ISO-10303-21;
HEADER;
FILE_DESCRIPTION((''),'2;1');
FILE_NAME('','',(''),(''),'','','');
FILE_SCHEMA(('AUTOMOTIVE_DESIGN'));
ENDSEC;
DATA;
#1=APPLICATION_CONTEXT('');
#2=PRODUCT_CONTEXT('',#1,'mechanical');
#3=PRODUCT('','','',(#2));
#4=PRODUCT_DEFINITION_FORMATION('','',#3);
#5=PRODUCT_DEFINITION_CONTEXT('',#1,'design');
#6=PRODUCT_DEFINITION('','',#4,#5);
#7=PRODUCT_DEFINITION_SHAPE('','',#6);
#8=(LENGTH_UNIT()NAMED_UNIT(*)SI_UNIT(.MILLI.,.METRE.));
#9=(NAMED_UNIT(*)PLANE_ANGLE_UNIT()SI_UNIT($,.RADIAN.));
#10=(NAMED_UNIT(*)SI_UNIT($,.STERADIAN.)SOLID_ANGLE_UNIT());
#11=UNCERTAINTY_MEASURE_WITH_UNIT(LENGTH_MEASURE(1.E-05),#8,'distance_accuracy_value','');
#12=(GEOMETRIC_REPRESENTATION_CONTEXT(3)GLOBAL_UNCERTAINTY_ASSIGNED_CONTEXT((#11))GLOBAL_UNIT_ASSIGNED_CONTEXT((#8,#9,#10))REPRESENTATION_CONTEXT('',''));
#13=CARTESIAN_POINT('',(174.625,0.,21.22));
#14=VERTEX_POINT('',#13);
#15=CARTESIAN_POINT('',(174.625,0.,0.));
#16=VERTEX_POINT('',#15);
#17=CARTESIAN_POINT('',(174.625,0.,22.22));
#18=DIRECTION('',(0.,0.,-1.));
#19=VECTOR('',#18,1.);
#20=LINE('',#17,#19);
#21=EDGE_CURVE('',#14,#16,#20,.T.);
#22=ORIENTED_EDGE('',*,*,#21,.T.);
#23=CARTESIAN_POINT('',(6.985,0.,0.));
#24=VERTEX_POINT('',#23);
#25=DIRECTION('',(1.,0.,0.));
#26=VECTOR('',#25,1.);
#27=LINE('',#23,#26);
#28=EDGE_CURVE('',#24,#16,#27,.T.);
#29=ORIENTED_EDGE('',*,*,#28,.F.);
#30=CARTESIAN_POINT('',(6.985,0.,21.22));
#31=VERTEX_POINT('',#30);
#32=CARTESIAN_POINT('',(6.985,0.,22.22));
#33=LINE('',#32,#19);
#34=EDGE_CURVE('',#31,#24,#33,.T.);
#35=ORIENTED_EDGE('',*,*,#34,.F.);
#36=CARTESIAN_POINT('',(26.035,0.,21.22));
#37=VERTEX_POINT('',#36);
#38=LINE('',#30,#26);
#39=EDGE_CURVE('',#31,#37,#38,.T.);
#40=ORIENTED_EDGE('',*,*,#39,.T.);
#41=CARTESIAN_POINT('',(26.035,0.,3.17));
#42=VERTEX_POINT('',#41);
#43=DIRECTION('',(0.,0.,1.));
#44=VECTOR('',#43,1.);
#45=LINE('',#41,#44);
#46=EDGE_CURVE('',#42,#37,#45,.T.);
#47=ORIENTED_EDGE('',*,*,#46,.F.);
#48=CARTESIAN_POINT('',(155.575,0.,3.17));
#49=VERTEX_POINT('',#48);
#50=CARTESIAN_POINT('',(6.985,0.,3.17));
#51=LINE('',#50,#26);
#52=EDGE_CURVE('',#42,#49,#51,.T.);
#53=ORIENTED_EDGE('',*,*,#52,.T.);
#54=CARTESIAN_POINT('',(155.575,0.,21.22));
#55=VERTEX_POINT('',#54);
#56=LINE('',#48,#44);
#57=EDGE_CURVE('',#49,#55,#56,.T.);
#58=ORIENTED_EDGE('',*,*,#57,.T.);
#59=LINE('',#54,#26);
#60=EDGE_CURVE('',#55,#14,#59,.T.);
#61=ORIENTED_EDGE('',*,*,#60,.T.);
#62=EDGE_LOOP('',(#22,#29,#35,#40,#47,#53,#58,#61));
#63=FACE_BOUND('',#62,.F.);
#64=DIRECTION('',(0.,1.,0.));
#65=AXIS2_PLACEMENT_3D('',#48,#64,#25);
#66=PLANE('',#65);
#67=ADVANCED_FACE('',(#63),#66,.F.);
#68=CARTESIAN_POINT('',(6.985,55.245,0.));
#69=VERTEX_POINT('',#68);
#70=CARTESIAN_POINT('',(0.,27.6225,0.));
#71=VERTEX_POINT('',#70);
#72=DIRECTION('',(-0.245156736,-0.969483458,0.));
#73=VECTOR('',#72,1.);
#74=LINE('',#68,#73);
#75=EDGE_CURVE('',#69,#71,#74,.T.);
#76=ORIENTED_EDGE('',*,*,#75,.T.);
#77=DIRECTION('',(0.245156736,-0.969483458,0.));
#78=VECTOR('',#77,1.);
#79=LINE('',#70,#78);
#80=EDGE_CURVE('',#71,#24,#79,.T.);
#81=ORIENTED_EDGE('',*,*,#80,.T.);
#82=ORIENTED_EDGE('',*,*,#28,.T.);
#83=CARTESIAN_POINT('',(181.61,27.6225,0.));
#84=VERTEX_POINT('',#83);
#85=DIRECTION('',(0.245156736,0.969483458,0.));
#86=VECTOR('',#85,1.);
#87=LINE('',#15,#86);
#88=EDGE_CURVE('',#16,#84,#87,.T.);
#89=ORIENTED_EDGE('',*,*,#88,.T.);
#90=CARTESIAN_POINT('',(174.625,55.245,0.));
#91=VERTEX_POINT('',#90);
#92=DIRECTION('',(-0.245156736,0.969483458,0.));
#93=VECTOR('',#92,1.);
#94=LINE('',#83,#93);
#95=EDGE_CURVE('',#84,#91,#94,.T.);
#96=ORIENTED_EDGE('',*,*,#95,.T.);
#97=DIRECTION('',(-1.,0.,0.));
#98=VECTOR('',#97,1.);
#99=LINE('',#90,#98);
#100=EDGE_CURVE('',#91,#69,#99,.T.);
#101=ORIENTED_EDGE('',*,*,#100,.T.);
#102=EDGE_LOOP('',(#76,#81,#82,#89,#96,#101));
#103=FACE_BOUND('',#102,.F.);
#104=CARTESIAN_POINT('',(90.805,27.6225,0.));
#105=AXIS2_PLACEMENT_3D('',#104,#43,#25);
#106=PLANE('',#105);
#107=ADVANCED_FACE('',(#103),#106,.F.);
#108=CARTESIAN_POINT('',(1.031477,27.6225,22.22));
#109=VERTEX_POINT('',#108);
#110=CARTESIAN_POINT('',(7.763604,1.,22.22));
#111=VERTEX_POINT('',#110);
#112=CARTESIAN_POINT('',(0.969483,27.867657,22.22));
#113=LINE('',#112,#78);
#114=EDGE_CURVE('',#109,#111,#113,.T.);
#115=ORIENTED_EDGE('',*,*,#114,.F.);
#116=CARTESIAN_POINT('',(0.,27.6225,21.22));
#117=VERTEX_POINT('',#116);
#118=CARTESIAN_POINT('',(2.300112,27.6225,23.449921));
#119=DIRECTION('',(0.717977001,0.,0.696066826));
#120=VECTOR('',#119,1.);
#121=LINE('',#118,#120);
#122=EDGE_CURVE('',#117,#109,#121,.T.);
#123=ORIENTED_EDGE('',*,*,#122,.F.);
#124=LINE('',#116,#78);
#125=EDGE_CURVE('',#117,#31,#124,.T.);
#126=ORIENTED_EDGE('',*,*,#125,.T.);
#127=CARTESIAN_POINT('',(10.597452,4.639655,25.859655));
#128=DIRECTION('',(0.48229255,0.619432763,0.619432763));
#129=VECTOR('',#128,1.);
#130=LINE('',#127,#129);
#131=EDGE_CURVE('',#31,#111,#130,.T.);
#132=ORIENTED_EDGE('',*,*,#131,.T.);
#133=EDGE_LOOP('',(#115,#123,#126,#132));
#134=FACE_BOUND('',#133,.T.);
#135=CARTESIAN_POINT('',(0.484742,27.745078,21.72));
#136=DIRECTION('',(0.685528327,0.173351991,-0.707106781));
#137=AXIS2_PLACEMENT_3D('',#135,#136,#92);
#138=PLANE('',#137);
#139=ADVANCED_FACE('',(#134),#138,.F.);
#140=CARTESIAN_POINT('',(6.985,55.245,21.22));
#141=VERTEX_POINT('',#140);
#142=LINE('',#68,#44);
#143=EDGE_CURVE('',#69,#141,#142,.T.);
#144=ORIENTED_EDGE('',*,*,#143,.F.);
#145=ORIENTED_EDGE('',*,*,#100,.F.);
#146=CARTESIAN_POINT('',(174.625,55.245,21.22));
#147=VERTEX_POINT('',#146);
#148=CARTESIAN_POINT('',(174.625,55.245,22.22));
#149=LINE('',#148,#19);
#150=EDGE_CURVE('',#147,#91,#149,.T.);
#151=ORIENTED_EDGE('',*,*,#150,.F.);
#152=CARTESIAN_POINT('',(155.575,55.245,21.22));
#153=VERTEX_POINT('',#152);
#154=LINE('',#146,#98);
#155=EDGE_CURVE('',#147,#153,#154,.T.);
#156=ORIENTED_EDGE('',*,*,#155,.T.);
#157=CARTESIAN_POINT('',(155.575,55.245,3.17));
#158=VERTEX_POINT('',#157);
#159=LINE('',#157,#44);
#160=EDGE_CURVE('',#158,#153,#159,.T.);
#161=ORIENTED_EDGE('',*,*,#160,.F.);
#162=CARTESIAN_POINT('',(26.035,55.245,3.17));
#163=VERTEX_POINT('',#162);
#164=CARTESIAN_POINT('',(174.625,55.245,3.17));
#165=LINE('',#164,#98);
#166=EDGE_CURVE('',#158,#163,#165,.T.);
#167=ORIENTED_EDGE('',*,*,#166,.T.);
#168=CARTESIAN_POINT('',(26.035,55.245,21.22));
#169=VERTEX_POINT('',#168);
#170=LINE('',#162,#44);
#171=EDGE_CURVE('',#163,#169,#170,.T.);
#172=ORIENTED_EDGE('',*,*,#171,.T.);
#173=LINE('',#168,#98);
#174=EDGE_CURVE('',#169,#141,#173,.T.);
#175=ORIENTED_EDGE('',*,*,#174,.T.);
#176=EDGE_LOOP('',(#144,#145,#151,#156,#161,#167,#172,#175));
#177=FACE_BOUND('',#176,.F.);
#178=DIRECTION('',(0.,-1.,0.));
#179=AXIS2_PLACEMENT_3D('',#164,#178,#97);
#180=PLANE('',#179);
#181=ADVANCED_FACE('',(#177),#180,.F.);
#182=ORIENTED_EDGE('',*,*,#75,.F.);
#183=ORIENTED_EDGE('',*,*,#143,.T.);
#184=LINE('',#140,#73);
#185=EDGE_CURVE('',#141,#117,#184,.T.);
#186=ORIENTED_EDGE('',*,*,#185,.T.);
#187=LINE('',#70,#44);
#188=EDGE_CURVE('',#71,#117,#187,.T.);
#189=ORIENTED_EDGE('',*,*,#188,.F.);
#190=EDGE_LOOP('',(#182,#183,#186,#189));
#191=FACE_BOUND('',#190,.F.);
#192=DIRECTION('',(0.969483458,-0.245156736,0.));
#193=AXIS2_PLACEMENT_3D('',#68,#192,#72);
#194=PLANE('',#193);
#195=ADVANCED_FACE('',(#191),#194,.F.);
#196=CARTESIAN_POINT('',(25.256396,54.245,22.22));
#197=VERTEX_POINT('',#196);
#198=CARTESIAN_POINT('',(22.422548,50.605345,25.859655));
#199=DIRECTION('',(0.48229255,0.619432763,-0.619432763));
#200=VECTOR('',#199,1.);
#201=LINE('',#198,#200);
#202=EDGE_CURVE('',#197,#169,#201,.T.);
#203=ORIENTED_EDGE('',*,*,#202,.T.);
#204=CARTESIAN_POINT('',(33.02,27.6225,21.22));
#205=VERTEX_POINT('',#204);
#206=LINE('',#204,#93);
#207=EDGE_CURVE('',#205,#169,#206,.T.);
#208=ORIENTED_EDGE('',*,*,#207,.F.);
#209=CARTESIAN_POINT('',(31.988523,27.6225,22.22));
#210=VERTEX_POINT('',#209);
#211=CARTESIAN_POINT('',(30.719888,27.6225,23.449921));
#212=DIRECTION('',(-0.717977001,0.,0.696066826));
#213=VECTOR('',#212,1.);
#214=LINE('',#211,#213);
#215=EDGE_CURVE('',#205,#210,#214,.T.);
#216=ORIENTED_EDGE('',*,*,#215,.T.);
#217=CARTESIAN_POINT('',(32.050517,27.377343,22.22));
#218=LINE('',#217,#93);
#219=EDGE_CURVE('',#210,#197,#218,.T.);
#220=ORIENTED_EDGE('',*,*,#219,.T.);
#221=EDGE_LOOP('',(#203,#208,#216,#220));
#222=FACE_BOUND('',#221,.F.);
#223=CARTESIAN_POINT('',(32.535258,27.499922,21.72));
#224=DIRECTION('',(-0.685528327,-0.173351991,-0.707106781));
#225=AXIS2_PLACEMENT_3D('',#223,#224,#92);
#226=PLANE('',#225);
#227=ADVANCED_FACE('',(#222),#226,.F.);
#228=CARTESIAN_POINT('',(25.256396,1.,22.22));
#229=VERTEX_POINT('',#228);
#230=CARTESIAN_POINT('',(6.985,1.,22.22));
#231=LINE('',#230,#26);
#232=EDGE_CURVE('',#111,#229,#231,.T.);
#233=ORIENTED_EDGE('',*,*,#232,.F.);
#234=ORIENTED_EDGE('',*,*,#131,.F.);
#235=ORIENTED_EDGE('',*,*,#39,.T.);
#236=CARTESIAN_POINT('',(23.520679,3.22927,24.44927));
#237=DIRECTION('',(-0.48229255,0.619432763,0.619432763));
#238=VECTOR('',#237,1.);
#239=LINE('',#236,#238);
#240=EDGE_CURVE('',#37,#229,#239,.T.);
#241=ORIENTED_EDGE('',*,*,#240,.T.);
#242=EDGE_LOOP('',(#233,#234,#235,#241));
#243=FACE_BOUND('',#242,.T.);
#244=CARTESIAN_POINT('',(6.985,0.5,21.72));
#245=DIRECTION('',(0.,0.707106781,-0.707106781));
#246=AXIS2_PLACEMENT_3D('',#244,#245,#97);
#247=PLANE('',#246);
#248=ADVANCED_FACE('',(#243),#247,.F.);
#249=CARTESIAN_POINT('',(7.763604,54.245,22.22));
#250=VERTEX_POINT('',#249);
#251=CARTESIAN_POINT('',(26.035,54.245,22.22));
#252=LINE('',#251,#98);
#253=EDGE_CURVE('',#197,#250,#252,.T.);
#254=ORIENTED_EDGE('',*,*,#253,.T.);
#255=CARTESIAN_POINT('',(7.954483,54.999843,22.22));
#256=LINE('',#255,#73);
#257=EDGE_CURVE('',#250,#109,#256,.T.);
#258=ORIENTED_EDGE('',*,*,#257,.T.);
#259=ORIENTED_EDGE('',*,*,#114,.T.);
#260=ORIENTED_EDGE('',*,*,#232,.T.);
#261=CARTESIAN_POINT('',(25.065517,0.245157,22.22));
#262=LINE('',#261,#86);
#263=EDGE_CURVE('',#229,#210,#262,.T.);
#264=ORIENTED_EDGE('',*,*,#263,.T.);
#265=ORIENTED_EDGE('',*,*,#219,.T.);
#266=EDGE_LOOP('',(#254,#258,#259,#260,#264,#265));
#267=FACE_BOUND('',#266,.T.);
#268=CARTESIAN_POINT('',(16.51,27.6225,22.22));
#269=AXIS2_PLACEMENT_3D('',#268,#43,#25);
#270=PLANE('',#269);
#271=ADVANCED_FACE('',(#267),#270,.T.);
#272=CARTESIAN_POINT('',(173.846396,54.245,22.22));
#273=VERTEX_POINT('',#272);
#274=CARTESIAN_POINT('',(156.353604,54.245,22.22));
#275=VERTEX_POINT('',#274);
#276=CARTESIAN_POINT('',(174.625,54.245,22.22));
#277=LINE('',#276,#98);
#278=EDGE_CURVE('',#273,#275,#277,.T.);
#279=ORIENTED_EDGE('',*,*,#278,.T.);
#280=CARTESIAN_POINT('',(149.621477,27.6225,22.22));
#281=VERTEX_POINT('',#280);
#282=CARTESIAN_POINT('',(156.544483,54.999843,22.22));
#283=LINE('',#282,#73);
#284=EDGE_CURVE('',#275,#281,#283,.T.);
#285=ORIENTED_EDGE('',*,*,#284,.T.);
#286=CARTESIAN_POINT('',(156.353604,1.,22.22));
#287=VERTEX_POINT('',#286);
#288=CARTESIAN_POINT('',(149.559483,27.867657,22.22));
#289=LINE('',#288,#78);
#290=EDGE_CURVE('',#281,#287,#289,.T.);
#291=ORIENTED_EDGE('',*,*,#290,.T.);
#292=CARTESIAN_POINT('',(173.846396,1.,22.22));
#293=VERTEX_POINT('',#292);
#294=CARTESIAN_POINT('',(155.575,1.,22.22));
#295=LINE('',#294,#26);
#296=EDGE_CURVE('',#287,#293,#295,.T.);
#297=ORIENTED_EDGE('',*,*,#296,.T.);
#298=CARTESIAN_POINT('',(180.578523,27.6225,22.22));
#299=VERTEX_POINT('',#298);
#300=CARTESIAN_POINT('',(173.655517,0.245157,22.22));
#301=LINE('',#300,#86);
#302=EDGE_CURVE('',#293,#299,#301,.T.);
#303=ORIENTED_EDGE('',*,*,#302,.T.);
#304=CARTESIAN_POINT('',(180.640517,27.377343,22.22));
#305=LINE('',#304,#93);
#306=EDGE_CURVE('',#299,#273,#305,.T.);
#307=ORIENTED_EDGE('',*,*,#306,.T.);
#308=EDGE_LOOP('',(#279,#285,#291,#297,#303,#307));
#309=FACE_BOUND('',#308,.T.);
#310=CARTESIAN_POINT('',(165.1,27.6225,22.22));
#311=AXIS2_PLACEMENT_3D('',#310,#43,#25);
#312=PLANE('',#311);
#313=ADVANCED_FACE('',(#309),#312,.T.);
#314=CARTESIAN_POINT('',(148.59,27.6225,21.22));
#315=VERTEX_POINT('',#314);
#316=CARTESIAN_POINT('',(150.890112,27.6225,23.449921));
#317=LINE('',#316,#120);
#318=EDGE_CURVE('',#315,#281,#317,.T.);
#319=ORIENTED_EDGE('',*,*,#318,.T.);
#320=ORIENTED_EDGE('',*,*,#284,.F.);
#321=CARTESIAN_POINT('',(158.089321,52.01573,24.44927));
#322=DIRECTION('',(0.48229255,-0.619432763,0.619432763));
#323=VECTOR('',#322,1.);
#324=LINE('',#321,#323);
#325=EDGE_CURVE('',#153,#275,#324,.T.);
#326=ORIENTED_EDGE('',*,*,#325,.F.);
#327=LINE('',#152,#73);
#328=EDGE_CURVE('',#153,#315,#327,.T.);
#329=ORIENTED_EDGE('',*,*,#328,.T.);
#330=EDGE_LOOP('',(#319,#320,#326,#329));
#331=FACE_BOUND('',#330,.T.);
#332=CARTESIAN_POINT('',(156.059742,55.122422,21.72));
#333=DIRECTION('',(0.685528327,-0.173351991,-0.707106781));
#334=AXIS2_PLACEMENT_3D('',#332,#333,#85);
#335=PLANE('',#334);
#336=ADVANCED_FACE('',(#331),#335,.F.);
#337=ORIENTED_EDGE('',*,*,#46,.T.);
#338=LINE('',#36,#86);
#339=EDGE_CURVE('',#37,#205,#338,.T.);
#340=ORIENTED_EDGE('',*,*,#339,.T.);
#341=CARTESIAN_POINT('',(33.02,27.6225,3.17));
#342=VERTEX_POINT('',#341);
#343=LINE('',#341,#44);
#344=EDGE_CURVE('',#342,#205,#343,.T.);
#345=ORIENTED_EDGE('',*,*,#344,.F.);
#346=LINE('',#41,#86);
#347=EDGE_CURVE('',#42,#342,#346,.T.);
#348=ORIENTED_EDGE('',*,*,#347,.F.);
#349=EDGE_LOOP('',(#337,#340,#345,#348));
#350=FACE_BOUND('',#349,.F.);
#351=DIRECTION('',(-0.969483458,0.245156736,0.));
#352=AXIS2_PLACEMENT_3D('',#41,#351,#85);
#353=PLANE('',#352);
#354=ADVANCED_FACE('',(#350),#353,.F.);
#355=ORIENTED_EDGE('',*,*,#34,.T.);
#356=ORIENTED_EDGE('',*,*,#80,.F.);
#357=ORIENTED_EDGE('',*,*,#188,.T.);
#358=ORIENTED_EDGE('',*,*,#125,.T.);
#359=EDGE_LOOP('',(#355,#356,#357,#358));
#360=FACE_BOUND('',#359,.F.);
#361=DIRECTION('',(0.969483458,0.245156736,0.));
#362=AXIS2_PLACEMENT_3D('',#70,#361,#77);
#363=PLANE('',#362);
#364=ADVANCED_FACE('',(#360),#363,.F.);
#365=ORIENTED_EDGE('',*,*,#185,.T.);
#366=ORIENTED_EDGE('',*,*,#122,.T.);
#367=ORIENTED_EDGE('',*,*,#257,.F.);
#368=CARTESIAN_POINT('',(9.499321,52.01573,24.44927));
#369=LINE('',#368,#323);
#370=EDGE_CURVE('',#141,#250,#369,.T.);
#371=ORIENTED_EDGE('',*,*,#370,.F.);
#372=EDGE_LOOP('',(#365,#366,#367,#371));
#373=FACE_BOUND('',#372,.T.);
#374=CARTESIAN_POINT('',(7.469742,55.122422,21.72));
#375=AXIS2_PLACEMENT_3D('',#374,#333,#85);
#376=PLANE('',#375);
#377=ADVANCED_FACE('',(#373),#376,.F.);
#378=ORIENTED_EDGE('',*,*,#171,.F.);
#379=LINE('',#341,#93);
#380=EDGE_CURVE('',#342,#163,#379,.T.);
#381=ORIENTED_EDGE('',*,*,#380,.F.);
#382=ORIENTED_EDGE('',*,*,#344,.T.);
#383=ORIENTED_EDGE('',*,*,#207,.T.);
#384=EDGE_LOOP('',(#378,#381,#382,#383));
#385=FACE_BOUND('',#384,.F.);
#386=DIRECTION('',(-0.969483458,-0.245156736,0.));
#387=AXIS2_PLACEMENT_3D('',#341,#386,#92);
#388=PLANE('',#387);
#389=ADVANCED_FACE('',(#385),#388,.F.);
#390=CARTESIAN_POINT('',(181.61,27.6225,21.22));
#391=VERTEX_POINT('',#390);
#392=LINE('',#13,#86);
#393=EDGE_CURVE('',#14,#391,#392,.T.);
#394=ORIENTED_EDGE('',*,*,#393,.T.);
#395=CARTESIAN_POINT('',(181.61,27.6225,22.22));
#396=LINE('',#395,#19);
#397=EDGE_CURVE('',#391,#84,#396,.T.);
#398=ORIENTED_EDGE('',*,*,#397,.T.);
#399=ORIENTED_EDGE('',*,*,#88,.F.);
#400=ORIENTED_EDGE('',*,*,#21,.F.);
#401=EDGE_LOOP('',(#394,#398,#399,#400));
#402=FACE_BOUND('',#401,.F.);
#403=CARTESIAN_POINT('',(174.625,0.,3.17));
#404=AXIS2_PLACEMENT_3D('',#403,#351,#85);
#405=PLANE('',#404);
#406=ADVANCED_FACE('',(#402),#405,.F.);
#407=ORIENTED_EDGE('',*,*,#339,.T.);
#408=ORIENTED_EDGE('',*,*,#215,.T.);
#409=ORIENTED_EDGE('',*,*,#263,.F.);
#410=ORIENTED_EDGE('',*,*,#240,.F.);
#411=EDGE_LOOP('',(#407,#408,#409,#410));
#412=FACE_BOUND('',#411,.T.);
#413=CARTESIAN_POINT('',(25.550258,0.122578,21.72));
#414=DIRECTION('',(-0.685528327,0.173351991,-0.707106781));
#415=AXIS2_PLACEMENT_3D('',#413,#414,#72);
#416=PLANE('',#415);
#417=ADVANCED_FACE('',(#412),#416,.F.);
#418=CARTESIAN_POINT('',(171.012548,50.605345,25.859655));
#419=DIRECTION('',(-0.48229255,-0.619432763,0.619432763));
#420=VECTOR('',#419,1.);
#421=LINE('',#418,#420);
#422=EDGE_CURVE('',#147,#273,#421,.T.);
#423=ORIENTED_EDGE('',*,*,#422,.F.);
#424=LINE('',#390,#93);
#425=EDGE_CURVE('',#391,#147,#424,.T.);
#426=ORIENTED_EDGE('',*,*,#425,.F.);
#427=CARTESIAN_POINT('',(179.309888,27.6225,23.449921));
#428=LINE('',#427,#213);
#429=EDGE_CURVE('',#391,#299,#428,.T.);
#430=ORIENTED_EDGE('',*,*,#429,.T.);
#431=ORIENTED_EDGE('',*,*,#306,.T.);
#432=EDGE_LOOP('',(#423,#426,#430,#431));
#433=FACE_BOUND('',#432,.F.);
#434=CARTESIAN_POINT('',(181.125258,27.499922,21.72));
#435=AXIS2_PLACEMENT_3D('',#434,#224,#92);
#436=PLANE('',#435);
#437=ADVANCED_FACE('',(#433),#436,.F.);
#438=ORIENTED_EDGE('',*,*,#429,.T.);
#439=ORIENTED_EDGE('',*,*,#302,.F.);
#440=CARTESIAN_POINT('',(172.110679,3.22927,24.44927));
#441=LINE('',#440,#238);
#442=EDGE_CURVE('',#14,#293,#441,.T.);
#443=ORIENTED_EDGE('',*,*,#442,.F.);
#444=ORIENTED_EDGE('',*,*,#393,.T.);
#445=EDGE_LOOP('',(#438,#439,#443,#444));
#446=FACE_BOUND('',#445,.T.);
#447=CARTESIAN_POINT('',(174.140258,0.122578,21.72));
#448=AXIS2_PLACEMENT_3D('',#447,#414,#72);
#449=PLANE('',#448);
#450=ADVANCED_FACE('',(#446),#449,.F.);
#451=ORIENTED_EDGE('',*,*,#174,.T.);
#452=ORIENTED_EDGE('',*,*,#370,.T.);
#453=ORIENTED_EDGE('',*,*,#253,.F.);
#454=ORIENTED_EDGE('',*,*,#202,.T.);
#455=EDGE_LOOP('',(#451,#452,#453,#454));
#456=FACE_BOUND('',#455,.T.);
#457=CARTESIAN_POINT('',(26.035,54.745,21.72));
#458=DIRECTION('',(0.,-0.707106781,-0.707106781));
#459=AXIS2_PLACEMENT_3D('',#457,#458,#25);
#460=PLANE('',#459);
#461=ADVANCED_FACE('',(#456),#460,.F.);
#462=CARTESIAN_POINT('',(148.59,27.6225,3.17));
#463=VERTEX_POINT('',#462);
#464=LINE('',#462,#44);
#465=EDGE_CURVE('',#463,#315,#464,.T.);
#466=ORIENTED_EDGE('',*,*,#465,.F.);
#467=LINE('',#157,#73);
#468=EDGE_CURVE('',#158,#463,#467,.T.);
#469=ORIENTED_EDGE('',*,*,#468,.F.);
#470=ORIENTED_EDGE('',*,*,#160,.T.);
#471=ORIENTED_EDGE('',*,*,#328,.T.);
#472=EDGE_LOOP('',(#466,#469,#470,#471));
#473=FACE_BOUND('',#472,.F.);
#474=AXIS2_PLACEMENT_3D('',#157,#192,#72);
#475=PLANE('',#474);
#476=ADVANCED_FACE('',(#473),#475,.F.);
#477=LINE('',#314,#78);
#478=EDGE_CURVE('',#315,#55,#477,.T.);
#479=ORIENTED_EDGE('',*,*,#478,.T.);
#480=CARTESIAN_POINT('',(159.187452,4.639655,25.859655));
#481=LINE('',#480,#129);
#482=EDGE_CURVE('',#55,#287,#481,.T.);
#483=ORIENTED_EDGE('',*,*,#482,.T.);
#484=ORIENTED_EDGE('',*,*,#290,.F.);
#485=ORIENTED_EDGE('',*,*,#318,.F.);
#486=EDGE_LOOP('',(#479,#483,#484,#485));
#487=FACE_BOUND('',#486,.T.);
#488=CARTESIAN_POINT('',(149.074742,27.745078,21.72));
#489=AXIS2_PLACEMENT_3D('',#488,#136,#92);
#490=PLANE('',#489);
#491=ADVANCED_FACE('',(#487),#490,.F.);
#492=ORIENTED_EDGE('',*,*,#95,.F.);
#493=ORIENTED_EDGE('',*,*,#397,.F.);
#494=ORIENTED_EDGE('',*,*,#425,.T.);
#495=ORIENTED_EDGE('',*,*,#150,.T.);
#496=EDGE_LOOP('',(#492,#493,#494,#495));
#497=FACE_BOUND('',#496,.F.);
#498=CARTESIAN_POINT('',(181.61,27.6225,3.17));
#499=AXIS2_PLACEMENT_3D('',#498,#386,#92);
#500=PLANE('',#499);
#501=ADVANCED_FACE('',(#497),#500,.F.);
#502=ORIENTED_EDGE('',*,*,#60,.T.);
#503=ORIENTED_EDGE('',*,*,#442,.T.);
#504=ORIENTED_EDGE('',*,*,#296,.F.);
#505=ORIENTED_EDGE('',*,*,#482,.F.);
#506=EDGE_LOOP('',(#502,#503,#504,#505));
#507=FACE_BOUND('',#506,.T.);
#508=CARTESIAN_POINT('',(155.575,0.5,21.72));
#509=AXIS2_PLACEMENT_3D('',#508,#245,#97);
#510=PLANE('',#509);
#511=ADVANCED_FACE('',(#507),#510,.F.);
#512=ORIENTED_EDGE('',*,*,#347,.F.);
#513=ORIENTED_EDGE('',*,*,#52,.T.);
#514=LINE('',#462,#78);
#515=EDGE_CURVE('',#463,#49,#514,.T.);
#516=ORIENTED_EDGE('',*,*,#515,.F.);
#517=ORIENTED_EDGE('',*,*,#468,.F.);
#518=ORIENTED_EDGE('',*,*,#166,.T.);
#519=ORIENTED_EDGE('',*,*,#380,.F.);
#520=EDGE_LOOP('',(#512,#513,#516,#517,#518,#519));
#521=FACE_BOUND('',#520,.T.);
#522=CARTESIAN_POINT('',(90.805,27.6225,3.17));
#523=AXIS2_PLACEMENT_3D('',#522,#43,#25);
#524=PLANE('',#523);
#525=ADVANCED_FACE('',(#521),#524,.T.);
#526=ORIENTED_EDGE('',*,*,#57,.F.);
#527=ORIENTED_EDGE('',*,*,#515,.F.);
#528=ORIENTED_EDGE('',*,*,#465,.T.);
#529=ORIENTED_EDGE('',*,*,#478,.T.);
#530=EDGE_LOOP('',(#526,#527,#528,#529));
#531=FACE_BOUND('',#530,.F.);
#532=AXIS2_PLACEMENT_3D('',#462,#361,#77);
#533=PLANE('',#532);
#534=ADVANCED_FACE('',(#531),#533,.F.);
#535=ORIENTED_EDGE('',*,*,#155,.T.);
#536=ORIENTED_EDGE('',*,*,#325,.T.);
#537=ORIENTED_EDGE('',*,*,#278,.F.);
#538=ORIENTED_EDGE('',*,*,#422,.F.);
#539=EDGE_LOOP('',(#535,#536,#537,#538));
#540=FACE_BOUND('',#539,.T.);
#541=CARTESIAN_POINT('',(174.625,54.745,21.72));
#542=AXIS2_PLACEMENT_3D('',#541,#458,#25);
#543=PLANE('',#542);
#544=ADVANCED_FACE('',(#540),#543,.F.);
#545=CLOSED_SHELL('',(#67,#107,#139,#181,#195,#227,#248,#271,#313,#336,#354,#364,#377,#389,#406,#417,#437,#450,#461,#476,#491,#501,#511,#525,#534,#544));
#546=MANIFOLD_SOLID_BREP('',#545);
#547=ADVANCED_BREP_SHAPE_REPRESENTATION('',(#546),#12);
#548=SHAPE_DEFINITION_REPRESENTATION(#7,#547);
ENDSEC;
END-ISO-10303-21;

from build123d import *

# Parameters (mm, degrees)
EXTRUDE001_DEPTH = 19.05
EXTRUDE_DEPTH    = 3.17
CHAMFER_SIZE     = 1


with BuildPart() as extrude001:
    # Sketch001 (on Face8 of Extrude) → Extrude001 (new body)
    with BuildSketch(Plane.XY.offset(3.17)):
        Polygon((6.985, 55.245), (0, 27.6225), (6.985, 0), (26.035, 0), (33.02, 27.6225), (26.035, 55.245), align=None)
        Polygon((174.625, 55.245), (155.575, 55.245), (148.59, 27.6225), (155.575, 0), (174.625, 0), (181.61, 27.6225), align=None)
    extrude(amount=EXTRUDE001_DEPTH)


with BuildPart() as chamfer_body:
    # Sketch → Extrude (new body)
    with BuildSketch(Plane.XY):
        Polygon((6.985, 0), (174.625, 0), (181.61, 27.6225), (174.625, 55.245), (6.985, 55.245), (0, 27.6225), align=None)
    extrude(amount=EXTRUDE_DEPTH)

    # Fusion: union Extrude001
    add(extrude001.part)

    # Chamfer
    chamfer_edges = [chamfer_body.edges().sort_by_distance(p)[0] for p in [
        (16.51, 0, 22.22),
        (165.1, 0, 22.22),
        (3.4925, 13.81125, 22.22),
        (178.1175, 13.81125, 22.22),
        (29.5275, 13.81125, 22.22),
        (3.4925, 41.43375, 22.22),
        (29.5275, 41.43375, 22.22),
        (16.51, 55.245, 22.22),
        (152.0825, 41.43375, 22.22),
        (152.0825, 13.81125, 22.22),
        (165.1, 55.245, 22.22),
        (178.1175, 41.43375, 22.22),
    ]]
    chamfer(chamfer_edges, length=CHAMFER_SIZE)


solid = chamfer_body.part
